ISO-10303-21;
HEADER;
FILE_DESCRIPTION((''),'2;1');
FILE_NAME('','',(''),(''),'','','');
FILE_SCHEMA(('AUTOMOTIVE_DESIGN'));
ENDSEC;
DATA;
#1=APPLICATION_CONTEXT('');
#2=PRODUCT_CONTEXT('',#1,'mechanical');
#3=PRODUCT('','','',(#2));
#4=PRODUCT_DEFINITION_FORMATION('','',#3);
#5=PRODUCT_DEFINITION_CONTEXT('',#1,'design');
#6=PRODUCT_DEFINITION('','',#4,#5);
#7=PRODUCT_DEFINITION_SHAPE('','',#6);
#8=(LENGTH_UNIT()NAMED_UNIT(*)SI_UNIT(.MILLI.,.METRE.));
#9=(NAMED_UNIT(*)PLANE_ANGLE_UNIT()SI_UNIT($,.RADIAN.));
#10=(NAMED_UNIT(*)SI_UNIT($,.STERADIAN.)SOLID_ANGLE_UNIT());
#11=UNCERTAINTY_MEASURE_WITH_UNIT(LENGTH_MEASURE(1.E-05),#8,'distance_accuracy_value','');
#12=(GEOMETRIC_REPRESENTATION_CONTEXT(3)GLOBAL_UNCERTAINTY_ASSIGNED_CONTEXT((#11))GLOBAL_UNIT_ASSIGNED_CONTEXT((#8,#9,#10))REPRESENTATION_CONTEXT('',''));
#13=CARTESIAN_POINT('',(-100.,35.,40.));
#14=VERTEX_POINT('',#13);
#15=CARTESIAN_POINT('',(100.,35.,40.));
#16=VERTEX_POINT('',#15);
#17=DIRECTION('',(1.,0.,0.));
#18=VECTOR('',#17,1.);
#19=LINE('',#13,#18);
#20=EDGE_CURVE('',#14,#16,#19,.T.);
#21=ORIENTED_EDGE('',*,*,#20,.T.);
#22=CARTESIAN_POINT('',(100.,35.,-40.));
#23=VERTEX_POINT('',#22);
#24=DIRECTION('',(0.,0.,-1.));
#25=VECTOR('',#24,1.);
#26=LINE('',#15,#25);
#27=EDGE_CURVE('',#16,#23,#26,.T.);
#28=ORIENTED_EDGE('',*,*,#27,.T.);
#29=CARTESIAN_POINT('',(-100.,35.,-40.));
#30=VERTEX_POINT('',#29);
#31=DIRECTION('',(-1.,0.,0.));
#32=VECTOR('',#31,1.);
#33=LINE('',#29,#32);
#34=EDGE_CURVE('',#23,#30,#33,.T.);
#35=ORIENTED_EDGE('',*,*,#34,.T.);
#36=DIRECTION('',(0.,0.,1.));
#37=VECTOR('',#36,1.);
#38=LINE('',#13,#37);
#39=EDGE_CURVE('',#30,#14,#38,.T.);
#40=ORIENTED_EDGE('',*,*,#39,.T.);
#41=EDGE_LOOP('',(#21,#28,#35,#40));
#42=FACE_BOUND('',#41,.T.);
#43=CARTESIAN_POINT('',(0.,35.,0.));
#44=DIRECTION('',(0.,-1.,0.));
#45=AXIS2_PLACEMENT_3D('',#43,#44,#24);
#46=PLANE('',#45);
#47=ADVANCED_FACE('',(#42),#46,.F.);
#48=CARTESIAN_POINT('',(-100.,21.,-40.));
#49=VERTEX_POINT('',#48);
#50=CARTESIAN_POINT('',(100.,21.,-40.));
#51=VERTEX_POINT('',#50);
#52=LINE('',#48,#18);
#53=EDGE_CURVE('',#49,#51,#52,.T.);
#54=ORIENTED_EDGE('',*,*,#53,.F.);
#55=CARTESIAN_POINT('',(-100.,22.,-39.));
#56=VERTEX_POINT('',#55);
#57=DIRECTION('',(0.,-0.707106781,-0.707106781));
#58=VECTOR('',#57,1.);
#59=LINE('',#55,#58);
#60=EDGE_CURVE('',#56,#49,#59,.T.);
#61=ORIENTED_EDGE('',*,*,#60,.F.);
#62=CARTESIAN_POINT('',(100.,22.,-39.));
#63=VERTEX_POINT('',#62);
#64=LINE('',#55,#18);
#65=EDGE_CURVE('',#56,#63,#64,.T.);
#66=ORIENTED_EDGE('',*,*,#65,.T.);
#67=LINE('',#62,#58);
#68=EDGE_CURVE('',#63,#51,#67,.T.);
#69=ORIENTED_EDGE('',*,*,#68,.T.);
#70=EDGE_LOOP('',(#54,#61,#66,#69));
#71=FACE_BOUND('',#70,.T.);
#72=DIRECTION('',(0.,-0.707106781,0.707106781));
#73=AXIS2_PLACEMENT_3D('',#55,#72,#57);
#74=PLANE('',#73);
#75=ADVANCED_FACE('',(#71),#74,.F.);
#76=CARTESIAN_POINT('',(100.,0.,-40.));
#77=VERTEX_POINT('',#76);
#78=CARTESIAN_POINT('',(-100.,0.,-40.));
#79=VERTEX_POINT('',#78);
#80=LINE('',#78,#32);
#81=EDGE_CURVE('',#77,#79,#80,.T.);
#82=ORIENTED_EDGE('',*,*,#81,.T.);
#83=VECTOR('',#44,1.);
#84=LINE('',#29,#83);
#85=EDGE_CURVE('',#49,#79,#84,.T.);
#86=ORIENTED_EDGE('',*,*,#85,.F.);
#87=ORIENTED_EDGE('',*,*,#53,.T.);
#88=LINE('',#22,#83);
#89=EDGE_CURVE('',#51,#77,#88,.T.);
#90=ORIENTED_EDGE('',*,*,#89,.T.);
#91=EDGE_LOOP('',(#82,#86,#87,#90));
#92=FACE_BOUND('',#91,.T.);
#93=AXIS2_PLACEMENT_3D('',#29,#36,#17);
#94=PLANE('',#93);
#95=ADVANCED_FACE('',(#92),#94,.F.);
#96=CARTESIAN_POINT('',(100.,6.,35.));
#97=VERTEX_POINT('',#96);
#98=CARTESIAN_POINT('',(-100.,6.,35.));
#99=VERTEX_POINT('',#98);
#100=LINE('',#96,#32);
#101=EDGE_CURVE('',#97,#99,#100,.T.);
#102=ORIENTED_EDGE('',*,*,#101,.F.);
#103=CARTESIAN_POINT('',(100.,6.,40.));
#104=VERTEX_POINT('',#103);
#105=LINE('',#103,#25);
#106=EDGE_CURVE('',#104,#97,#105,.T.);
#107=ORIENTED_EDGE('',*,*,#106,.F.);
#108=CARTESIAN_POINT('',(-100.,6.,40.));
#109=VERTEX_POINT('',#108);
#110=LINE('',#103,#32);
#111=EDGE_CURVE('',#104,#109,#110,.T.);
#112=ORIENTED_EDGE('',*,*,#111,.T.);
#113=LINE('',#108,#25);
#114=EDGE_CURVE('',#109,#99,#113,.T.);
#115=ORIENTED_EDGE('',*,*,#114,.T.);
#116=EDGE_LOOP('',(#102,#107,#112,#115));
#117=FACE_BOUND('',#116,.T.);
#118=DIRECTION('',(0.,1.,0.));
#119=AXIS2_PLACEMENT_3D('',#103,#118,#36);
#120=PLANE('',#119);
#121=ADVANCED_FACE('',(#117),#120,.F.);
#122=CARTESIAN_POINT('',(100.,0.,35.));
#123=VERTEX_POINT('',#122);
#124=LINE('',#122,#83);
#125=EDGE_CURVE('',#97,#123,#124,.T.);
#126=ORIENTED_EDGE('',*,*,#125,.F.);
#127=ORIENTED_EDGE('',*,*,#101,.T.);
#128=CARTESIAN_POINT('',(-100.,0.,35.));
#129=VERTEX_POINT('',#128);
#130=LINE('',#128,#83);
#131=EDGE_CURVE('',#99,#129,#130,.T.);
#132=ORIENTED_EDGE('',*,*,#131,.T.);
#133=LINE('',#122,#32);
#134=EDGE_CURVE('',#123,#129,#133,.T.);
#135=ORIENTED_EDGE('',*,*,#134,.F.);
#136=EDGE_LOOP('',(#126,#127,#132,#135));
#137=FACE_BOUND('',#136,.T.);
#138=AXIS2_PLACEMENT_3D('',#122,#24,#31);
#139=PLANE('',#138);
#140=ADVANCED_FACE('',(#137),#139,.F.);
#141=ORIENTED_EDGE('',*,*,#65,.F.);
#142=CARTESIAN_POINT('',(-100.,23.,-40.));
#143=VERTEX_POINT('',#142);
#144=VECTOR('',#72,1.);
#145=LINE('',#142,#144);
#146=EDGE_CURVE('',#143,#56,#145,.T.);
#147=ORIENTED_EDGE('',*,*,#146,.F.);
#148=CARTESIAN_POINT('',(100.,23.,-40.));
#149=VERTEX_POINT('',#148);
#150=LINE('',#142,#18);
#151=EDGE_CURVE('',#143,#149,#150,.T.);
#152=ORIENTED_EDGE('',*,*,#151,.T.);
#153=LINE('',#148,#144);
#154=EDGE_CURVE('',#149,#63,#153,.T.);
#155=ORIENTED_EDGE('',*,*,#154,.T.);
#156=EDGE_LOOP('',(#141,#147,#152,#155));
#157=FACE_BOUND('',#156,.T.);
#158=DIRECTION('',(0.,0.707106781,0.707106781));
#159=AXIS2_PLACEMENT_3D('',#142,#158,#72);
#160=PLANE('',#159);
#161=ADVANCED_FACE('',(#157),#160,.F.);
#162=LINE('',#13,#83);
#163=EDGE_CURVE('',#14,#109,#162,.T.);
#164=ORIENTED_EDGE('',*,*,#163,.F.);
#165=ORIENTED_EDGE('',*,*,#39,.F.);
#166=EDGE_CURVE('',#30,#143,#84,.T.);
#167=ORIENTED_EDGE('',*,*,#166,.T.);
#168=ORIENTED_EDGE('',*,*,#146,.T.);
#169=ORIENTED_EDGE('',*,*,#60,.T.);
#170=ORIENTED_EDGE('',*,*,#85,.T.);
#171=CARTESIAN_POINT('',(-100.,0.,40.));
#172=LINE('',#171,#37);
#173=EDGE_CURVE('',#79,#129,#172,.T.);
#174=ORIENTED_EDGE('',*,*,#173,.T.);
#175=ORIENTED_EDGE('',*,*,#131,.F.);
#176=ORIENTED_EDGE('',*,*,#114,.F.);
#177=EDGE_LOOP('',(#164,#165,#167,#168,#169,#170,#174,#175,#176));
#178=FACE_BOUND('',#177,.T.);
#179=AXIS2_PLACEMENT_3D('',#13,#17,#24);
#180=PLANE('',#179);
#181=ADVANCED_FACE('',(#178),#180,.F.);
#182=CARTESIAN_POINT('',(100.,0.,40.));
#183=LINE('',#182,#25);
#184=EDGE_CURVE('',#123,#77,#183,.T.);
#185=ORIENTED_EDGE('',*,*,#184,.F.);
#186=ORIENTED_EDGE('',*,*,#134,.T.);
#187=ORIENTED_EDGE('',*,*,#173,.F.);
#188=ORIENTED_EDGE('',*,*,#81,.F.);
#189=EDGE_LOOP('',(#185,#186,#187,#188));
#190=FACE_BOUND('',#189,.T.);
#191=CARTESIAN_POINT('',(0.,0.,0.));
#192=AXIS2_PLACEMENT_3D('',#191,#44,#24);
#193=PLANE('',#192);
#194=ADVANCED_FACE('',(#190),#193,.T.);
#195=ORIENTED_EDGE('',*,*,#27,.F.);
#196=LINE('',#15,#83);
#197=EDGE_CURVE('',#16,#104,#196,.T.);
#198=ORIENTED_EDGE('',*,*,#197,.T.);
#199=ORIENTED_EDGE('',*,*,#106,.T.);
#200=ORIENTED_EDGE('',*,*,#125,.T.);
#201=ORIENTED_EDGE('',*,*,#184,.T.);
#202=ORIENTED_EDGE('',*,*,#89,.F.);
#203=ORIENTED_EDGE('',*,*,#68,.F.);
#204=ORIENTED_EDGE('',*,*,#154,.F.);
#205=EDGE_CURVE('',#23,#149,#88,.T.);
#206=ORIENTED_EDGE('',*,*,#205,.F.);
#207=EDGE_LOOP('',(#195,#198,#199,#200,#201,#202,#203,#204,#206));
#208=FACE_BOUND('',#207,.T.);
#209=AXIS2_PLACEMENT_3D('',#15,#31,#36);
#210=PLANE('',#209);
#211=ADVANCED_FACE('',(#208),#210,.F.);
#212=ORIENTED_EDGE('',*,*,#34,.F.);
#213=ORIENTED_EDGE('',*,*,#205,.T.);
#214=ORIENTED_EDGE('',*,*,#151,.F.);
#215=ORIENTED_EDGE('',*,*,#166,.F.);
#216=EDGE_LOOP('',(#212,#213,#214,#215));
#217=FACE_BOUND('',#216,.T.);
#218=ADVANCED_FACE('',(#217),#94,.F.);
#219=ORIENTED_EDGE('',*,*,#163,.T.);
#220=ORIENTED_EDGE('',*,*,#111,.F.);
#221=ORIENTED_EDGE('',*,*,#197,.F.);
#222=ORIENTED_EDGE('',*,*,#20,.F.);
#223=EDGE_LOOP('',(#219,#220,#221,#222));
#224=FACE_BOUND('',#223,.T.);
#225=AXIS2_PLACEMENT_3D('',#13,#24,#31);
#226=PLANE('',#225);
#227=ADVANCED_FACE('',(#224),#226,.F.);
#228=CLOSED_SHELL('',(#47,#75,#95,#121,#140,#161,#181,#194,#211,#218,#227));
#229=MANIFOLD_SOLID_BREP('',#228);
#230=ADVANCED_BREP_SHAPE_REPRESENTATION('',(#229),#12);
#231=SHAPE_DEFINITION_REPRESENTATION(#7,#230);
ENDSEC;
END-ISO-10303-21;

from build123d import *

# Parameters (mm, degrees)
SKETCH1_W           = 200
SKETCH1_H           = 80
BOSS_EXTRUDE1_DEPTH = 35
SKETCH2_W           = 5
SKETCH2_H           = 6
CUT_EXTRUDE1_DEPTH  = 201
CUT_EXTRUDE5_DEPTH  = 201


with BuildPart() as part:
    # Sketch1 → Boss-Extrude1 (new body)
    with BuildSketch(Plane(origin=(0, 0, 0), x_dir=(1, 0, 0), z_dir=(0, 1, 0))):
        Rectangle(SKETCH1_W, SKETCH1_H)
    extrude(amount=BOSS_EXTRUDE1_DEPTH)

    # Sketch2 → Cut-Extrude1 (cut, through all)
    with BuildSketch(Plane.ZY.offset(100)):
        with Locations((37.5, 3)):
            Rectangle(SKETCH2_W, SKETCH2_H)
    extrude(amount=-CUT_EXTRUDE1_DEPTH, mode=Mode.SUBTRACT)

    # Sketch6 → Cut-Extrude5 (cut, through all)
    with BuildSketch(Plane(origin=(100, 0, 0), x_dir=(0, 0, -1), z_dir=(1, 0, 0))):
        Polygon((40, 22), (40, 23), (39, 22), (40, 21), align=None)
    extrude(amount=-CUT_EXTRUDE5_DEPTH, mode=Mode.SUBTRACT)


solid = part.part
